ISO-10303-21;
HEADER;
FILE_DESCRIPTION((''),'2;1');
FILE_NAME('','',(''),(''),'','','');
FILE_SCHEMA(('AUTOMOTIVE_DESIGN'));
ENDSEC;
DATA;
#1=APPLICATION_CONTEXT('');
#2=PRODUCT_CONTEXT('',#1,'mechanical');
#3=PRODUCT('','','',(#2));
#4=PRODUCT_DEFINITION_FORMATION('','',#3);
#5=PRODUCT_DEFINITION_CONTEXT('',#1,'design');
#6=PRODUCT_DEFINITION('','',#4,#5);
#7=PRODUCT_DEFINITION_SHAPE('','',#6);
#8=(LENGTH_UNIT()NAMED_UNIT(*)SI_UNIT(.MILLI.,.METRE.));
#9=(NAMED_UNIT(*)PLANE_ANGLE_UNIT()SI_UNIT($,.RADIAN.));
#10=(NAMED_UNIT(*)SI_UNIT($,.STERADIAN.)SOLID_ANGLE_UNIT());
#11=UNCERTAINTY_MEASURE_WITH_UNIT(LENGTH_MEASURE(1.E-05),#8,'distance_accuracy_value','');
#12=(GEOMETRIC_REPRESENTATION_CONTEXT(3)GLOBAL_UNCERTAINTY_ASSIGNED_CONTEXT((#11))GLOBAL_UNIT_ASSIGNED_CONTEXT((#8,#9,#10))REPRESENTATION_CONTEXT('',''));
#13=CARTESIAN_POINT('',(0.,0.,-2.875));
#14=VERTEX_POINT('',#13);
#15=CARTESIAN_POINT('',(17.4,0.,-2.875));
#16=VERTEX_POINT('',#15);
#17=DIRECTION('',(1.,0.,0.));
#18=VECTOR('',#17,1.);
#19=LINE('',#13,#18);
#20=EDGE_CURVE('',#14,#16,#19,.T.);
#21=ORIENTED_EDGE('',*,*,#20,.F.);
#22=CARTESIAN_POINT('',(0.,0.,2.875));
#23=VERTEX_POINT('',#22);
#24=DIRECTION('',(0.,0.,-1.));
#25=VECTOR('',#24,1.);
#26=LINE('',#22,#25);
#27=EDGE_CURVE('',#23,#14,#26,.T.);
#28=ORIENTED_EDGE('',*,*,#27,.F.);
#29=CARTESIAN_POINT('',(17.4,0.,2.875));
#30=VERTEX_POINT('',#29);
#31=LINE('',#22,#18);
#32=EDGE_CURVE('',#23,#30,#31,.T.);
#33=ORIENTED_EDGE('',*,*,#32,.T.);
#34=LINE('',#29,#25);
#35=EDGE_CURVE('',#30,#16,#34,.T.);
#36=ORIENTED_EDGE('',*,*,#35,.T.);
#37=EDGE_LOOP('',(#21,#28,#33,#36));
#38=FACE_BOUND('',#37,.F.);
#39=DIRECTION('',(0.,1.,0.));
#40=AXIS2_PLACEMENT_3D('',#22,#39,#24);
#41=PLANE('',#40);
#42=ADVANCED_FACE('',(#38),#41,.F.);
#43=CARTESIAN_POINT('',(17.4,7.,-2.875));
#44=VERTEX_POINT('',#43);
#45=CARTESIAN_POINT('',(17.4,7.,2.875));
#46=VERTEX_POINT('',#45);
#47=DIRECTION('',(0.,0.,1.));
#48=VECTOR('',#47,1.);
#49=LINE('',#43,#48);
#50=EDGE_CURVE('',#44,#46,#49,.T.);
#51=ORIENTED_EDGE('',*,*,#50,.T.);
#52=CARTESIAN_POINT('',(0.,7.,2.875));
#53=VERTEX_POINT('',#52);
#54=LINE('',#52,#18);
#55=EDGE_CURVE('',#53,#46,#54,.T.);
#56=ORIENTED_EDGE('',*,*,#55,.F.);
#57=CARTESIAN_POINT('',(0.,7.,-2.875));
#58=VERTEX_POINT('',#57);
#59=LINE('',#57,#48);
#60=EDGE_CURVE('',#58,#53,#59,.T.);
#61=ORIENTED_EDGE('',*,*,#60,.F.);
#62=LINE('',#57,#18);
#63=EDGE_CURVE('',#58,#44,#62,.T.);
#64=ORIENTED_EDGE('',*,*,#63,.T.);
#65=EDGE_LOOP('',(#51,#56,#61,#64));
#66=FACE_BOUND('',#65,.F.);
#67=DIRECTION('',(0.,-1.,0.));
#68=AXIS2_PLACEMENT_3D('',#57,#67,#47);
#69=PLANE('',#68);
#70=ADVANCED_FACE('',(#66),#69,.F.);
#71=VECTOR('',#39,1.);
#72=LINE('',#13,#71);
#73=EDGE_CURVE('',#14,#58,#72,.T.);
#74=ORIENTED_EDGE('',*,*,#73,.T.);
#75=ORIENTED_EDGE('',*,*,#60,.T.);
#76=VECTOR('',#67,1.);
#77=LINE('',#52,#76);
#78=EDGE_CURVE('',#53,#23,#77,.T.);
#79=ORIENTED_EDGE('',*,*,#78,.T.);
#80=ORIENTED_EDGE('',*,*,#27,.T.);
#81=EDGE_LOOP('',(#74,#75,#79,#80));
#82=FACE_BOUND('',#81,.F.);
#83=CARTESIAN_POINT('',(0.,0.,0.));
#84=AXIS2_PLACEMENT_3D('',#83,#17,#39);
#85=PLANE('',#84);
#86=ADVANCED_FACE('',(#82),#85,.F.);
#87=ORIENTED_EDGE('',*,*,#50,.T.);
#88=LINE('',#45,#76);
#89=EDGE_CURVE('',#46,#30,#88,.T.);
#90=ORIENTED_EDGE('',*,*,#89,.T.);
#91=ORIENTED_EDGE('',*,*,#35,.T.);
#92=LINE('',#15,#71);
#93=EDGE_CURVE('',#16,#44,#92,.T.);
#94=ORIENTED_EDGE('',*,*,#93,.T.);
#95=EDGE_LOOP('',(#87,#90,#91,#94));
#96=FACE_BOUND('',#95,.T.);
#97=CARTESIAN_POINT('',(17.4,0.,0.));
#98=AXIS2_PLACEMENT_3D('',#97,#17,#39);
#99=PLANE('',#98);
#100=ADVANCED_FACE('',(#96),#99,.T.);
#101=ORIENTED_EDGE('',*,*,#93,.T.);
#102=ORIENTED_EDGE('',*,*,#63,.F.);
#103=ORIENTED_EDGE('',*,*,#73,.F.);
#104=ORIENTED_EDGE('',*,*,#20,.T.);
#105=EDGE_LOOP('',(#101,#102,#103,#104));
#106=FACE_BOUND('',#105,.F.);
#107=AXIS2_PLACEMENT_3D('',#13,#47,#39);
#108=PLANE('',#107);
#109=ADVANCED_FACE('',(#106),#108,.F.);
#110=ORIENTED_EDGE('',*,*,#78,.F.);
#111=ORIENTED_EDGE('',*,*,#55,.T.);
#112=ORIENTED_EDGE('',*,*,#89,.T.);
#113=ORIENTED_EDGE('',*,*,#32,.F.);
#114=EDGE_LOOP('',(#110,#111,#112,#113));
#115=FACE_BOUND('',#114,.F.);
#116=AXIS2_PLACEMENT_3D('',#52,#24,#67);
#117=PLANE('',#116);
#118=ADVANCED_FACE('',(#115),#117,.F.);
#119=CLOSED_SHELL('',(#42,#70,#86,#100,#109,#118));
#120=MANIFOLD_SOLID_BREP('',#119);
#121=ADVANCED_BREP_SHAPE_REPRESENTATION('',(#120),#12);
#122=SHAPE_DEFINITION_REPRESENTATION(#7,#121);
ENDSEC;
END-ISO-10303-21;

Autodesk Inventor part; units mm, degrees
ref_plane "YZ Plane" through (0, 0, 0) normal (1, 0, 0) x (0, 1, 0)
ref_plane "XZ Plane" through (0, 0, 0) normal (0, 1, 0) x (-1, 0, 0)
ref_plane "XY Plane" through (0, 0, 0) normal (0, 0, 1) x (1, 0, 0)
sketch "スケッチ1" plane through (0, 0, 0) normal (1, 0, 0) x (0, 1, 0)
  line L0 (7, 2.875) -> (0, 2.875)
  line L1 (0, 2.875) -> (0, -2.875)
  line L2 (0, -2.875) -> (7, -2.875)
  line L3 (7, -2.875) -> (7, 2.875)
  point P0 (0, 0)
  point P1 (0, 0)
  dimension "d0" = 7
  dimension "d1" = 5.75
extrude "押し出し1" add sketch "スケッチ1" along normal blind 17.4
properties part number "6"
